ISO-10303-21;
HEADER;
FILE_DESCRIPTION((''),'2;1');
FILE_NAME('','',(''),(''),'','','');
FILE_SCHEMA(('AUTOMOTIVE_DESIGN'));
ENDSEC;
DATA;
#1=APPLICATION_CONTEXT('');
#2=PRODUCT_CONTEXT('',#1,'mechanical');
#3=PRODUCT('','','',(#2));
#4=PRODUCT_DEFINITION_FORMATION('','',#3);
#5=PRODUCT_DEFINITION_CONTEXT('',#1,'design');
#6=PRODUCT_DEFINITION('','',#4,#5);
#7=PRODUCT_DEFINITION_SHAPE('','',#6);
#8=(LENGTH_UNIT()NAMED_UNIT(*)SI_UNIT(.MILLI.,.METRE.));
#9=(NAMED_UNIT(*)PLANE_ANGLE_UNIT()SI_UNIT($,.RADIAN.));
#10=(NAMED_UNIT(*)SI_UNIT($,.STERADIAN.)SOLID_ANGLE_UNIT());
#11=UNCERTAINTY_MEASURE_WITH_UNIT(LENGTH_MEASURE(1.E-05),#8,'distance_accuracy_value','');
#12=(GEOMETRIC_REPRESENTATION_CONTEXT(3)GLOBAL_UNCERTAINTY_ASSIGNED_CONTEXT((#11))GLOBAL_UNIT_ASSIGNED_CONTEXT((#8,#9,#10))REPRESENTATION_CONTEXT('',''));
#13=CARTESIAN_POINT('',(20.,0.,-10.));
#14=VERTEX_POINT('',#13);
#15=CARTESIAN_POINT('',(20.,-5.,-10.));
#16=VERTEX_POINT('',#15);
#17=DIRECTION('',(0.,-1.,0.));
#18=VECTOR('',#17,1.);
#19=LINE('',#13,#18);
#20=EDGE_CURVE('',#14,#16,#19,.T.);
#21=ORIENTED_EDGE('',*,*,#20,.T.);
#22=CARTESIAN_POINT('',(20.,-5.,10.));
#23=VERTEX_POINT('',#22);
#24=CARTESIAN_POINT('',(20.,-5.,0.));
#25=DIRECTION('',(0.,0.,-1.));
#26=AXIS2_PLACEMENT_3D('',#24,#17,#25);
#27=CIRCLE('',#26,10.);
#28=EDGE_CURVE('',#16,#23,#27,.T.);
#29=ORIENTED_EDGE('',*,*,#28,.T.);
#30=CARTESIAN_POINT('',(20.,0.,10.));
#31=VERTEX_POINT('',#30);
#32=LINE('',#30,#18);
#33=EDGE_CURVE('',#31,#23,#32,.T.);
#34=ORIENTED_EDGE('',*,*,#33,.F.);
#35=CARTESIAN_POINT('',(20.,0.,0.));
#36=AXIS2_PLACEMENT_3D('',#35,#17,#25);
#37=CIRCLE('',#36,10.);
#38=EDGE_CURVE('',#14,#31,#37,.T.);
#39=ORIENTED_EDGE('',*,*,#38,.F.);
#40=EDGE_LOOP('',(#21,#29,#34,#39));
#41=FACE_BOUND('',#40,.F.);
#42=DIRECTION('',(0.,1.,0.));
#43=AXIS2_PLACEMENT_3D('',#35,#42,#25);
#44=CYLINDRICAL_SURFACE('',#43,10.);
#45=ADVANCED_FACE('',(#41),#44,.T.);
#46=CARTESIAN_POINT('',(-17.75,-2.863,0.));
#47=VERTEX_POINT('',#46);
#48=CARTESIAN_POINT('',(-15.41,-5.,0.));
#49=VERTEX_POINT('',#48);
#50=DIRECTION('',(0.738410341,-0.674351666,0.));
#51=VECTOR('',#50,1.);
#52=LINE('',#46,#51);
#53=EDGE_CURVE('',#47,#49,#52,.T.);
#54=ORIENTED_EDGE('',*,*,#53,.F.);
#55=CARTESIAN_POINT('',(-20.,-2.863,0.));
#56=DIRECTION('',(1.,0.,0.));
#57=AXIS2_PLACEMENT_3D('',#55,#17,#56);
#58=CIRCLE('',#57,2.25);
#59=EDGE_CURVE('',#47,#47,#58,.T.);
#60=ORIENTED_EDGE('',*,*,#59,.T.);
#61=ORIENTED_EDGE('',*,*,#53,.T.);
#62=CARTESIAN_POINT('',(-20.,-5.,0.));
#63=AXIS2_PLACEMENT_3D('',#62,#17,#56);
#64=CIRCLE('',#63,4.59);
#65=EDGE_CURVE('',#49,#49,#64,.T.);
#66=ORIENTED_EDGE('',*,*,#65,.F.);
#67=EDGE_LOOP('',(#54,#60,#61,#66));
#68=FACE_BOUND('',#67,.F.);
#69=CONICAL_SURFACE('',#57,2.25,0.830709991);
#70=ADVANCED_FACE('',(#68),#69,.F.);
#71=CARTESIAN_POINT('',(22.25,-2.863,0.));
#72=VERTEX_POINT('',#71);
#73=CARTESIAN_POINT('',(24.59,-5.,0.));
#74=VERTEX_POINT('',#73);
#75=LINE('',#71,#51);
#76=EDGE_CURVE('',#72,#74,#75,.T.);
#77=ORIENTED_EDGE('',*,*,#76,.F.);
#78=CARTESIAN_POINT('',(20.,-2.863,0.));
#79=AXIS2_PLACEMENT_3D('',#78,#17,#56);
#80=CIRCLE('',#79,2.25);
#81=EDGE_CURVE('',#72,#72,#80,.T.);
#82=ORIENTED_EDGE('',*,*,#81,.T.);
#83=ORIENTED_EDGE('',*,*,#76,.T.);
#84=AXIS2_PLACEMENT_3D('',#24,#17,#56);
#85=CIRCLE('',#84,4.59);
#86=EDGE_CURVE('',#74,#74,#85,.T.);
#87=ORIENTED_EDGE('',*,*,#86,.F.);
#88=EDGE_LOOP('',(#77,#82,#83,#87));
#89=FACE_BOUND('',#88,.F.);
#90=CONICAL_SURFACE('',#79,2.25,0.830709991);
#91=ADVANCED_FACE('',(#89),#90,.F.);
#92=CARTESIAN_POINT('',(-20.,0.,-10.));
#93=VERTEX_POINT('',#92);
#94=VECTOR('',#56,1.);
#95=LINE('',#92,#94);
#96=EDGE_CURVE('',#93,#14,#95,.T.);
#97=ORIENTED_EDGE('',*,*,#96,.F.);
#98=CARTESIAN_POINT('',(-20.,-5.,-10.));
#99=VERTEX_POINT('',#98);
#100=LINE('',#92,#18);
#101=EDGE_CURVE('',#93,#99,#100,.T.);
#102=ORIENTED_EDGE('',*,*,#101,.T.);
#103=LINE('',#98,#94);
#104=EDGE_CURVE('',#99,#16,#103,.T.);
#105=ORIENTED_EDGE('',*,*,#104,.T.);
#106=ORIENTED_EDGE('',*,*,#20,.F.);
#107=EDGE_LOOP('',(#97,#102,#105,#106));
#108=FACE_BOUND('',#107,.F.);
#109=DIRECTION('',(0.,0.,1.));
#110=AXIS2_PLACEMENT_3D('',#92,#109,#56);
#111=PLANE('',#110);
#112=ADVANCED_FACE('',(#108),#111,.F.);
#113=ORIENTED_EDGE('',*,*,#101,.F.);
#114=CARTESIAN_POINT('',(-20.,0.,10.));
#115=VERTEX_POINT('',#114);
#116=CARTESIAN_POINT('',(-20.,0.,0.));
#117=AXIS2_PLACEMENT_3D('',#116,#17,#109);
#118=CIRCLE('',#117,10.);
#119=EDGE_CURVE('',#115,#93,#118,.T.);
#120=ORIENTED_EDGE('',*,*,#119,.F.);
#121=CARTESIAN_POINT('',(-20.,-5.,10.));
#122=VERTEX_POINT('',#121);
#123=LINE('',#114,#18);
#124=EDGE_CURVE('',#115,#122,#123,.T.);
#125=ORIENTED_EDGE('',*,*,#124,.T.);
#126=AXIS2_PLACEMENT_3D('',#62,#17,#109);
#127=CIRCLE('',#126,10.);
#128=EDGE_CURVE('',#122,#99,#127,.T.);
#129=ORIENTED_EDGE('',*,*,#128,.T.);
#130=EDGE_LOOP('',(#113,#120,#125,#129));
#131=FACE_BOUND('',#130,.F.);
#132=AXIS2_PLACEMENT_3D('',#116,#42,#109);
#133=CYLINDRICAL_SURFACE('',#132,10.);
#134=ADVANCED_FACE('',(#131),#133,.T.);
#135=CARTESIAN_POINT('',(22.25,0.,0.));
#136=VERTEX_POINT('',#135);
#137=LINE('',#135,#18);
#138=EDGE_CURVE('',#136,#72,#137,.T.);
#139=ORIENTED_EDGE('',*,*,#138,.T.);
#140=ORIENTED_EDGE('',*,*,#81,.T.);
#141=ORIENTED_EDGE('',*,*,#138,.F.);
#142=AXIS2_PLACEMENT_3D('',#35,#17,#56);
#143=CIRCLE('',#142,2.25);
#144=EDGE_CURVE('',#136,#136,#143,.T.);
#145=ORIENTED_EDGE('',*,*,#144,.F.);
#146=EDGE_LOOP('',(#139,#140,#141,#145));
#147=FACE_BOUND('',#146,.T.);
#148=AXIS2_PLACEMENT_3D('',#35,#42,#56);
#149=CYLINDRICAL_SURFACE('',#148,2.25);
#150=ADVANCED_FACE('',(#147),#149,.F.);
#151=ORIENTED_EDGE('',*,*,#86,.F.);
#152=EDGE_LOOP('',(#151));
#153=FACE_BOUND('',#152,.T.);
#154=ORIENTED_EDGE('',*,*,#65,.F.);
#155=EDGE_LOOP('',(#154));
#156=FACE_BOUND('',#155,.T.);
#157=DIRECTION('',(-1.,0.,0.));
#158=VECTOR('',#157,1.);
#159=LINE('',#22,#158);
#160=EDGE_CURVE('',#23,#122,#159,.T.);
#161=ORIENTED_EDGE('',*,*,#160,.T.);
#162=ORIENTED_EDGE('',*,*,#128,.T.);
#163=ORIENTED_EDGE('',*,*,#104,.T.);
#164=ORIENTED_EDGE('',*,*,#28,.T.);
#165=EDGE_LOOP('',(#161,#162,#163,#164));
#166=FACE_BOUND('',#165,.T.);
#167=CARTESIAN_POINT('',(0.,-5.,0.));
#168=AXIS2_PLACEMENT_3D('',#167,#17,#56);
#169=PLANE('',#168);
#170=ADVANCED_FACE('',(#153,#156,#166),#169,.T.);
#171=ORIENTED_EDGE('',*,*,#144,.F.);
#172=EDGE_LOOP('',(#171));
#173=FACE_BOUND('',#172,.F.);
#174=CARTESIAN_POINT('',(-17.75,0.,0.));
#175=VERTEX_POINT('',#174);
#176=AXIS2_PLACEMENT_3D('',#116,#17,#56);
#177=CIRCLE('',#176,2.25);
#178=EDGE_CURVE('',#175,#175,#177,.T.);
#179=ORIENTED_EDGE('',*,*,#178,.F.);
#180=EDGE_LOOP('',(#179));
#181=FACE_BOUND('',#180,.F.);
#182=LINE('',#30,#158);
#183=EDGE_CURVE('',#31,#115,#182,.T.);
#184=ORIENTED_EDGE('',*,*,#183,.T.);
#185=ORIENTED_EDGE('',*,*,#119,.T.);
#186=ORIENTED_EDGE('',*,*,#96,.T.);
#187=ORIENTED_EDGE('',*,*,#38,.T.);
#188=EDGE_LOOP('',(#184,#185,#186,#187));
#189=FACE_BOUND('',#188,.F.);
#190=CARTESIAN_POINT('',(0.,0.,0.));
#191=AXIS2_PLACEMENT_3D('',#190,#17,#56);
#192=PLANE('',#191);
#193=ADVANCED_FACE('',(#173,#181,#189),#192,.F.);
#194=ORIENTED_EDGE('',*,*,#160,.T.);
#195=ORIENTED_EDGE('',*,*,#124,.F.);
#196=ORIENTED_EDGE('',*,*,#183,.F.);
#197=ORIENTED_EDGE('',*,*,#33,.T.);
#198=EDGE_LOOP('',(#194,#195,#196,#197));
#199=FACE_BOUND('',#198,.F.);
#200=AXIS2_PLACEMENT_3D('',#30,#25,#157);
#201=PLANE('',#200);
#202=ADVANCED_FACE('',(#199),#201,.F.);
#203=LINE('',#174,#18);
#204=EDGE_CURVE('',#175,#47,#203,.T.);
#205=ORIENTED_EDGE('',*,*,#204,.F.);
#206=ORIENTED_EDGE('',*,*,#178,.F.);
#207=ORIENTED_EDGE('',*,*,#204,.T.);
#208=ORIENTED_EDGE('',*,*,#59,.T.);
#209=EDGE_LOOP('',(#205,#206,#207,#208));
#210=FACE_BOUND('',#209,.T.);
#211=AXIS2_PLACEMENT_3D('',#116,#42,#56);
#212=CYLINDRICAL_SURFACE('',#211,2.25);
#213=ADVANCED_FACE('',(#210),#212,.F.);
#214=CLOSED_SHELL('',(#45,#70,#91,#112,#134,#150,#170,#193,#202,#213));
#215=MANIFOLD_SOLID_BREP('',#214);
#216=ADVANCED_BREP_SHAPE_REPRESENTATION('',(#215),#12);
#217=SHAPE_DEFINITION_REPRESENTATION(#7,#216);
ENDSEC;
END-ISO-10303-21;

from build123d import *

# Parameters (mm, degrees)
F0_R     = 2.25
F1_DEPTH = 5
F2_SIZE2 = 2.34
F2_SIZE  = 2.137


with BuildPart() as f1:
    # F0 (on Front) → F1 (new body)
    with BuildSketch(Plane.XZ):
        with BuildLine():
            Line((20, 10), (-20, 10))
            ThreePointArc((-20, 10), (-30, 0), (-20, -10))
            Line((-20, -10), (20, -10))
            ThreePointArc((20, -10), (30, 0), (20, 10))
        make_face()
        with Locations((-20, 0)):
            Circle(F0_R, mode=Mode.SUBTRACT)
        with Locations((20, 0)):
            Circle(F0_R, mode=Mode.SUBTRACT)
    extrude(amount=F1_DEPTH)

    # F2
    f2_edges = [f1.edges().sort_by_distance(p)[0] for p in [
        (17.75, -5, 0),
        (-22.25, -5, 0),
    ]]
    chamfer(f2_edges, length=F2_SIZE, length2=F2_SIZE2)


solid = f1.part
